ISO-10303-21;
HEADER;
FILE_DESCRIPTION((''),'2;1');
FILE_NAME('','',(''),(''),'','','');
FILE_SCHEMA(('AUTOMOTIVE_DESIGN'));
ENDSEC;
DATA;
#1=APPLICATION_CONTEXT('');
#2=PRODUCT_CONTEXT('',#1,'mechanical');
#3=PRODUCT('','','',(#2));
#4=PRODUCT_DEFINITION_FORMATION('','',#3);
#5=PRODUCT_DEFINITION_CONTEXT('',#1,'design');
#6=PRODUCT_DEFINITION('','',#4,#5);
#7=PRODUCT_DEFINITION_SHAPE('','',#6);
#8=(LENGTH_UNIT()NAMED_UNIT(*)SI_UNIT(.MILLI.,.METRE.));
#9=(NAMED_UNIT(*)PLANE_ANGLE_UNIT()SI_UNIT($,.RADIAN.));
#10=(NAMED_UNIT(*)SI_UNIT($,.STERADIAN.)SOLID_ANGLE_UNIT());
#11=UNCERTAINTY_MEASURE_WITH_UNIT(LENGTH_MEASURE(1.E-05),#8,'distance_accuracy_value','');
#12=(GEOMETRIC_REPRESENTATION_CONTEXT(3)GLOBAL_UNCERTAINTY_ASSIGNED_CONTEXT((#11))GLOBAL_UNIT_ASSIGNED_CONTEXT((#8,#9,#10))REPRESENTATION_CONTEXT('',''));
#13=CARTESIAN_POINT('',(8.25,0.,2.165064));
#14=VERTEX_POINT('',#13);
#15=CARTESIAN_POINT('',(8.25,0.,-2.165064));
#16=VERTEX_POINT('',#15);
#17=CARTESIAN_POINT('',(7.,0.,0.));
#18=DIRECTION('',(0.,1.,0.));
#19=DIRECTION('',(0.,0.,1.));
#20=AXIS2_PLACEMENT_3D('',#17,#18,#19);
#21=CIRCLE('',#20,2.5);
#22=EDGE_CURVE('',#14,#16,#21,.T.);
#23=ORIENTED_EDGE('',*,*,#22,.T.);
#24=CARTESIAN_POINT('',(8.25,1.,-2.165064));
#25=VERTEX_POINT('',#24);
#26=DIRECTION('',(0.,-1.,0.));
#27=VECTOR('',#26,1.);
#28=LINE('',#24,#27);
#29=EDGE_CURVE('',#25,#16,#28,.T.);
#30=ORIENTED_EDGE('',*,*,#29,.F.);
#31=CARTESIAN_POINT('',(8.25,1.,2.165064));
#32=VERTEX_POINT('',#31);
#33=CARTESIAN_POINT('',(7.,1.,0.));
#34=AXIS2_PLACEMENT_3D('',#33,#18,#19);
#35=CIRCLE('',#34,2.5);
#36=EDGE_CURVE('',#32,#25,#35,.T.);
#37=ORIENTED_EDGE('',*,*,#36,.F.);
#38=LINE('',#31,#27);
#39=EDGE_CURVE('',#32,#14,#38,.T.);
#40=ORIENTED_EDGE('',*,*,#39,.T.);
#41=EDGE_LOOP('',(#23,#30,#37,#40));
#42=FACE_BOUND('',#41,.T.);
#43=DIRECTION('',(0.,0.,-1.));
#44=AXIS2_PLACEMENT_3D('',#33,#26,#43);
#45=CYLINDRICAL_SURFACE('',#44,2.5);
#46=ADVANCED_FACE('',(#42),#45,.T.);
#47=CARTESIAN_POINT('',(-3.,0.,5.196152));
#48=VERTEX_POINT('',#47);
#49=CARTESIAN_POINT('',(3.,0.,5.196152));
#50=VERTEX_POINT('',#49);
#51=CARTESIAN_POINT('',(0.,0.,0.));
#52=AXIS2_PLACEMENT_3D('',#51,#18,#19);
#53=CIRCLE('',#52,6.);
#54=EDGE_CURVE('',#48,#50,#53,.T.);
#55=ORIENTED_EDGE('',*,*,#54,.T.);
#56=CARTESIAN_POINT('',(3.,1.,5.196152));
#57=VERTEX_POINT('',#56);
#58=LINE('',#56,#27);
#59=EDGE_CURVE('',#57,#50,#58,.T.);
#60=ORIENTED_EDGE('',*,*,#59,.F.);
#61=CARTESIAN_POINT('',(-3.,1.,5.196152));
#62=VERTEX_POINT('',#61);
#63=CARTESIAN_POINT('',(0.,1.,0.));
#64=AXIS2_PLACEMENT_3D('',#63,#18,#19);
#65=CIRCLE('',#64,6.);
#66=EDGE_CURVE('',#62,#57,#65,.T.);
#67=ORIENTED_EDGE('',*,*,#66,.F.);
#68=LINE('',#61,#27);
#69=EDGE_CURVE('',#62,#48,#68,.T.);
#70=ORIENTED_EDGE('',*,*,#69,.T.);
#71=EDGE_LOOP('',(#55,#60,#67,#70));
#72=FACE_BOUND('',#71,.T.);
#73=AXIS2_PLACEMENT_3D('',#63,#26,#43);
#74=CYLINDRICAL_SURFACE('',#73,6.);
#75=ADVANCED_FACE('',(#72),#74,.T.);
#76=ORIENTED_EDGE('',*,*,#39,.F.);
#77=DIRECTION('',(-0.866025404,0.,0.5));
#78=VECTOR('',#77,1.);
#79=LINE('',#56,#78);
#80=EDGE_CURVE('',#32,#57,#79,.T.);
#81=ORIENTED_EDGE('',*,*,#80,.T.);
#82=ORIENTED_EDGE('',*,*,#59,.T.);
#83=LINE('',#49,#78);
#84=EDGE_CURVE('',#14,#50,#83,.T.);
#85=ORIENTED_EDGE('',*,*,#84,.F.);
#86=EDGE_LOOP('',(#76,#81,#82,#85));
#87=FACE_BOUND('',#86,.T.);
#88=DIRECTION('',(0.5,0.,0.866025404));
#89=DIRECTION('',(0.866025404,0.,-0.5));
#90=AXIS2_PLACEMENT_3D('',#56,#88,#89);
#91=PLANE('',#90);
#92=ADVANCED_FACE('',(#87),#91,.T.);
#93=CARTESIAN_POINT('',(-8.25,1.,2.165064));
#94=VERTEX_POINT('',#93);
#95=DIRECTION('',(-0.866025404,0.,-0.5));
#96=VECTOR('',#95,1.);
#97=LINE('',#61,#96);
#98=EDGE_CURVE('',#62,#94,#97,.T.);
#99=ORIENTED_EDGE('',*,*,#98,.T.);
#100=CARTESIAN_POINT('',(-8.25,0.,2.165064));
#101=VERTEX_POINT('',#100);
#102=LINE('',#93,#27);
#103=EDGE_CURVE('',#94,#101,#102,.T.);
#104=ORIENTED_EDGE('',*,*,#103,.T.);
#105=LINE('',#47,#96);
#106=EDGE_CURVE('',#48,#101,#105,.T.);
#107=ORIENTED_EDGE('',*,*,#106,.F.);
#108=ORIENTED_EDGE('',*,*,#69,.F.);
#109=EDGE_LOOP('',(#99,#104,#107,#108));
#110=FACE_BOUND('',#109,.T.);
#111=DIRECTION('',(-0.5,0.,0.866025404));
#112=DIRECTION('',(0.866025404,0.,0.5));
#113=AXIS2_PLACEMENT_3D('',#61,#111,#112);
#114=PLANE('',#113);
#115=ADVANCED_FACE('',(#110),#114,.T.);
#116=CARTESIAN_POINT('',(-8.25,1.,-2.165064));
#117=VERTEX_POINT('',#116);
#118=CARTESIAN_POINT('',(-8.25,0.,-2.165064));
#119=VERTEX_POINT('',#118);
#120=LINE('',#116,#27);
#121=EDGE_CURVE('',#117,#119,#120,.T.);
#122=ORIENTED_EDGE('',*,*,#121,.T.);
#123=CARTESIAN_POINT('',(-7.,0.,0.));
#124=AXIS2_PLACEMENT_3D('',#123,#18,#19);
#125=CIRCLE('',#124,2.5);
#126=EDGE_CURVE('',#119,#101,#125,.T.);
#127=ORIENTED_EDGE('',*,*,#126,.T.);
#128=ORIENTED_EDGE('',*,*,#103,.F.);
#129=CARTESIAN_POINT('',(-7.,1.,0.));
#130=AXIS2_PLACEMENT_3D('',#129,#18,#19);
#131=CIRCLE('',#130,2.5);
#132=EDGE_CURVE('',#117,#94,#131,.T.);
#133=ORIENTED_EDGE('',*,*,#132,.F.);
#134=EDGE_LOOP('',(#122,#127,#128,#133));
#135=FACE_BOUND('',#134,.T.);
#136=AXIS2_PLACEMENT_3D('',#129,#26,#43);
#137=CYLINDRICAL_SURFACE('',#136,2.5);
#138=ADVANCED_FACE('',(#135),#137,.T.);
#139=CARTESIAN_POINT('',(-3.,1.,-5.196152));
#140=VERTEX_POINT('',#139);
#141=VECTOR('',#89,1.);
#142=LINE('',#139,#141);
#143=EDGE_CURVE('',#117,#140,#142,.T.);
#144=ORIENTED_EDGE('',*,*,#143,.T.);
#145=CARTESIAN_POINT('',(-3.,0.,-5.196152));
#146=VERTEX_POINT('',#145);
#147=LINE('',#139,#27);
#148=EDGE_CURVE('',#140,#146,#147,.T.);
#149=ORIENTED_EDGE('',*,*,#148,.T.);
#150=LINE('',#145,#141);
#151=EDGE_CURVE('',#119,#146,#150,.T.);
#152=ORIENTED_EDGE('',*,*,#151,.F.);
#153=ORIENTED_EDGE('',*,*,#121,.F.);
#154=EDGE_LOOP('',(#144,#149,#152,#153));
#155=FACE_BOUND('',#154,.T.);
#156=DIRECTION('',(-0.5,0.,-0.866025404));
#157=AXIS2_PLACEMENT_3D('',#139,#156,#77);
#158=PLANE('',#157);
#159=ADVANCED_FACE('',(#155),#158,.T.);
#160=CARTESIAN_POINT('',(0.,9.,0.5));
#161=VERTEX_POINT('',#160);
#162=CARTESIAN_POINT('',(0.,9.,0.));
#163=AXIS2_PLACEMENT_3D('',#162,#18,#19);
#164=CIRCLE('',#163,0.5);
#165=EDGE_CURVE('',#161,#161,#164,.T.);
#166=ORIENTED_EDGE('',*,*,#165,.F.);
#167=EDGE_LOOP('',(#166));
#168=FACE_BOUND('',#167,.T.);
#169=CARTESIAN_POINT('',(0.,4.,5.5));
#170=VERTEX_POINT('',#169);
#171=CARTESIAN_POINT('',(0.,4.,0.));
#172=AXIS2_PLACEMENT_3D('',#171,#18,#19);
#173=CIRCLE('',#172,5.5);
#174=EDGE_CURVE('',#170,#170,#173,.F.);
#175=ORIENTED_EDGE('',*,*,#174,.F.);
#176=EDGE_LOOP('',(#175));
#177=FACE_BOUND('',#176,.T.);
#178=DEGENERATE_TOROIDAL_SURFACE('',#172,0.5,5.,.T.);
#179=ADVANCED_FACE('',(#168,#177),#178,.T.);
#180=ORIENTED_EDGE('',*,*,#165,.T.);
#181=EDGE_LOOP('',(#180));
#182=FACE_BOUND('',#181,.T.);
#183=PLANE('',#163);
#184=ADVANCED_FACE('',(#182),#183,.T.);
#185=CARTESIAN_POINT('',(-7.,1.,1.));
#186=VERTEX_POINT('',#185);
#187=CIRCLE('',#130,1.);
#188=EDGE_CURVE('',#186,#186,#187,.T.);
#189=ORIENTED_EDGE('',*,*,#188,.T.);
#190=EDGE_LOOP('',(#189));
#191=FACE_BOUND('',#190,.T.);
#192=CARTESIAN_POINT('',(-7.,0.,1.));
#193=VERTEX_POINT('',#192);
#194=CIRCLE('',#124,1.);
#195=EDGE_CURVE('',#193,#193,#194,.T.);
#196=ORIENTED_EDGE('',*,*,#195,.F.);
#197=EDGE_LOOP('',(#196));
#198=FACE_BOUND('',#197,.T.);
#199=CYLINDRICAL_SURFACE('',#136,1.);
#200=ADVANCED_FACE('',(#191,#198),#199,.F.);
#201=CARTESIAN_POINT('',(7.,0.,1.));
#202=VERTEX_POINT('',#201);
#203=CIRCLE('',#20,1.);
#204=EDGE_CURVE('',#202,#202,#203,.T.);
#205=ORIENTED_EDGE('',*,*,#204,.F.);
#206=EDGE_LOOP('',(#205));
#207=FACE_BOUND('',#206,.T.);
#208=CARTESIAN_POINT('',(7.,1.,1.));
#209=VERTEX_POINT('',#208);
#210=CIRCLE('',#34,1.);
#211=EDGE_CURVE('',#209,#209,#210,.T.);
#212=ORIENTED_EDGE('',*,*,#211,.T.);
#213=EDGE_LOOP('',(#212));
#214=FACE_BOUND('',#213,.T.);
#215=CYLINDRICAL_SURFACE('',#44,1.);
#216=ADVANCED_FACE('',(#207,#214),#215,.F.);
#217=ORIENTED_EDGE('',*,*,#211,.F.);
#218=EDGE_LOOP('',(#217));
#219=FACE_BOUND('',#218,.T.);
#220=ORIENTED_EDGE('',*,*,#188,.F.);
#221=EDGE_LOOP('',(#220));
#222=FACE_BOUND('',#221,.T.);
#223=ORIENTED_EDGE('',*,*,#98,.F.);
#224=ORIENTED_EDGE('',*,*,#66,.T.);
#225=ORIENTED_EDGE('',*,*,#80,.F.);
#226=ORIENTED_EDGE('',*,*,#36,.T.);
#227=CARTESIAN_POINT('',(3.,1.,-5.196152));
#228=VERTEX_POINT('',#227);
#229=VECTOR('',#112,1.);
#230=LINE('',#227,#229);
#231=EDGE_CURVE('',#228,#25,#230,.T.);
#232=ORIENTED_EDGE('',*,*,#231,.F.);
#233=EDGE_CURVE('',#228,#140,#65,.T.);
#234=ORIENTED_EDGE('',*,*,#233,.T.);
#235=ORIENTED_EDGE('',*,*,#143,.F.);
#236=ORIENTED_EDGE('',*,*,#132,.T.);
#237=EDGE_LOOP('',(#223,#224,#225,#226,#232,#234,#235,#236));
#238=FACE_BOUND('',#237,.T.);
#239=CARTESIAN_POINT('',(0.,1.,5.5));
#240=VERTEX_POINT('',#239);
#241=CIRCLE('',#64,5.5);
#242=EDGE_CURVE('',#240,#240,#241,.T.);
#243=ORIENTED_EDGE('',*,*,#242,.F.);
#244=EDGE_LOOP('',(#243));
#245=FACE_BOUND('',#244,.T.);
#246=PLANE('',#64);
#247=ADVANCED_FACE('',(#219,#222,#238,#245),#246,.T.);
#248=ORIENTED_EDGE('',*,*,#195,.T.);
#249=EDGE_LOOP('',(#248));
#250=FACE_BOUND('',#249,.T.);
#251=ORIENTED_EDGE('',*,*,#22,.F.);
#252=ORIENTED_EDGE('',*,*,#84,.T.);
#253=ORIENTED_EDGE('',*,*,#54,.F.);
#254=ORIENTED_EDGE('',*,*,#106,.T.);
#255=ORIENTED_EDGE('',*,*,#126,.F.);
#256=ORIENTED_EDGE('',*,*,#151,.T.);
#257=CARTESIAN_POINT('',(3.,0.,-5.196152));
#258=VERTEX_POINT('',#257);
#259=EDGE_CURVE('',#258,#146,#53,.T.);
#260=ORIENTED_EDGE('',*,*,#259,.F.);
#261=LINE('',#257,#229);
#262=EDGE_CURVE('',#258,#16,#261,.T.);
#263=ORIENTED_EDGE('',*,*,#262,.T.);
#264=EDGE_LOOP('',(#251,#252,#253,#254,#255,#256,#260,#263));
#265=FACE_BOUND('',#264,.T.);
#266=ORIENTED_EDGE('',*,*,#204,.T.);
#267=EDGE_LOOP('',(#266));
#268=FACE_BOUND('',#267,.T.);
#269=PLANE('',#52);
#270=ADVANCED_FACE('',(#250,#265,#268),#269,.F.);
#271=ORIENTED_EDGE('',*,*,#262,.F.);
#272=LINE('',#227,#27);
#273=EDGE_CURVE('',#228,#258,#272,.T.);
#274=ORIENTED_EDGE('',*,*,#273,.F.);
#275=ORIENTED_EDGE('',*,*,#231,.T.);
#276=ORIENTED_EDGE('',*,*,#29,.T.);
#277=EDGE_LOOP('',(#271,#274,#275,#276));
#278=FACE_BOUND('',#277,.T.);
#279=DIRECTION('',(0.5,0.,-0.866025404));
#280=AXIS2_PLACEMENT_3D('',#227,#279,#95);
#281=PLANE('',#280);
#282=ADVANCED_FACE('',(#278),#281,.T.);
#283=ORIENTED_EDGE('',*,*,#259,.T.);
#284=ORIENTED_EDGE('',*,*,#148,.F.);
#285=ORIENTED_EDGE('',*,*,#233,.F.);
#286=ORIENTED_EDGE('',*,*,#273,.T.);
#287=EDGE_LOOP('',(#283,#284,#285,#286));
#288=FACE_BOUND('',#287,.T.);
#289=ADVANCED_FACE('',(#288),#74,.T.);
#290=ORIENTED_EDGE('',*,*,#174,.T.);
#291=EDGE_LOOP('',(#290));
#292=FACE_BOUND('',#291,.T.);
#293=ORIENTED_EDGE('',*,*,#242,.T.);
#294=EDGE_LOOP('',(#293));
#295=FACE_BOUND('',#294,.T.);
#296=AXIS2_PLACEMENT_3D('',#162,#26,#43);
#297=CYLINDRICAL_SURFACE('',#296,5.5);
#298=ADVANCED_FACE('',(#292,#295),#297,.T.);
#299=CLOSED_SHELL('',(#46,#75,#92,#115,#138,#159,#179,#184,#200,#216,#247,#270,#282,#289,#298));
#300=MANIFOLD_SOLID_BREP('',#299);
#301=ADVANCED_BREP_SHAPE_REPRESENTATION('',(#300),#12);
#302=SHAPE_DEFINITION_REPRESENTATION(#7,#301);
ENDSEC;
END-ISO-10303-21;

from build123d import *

# Parameters (mm, degrees)
BOSS_EXTRUDE1_DEPTH = 1
SKETCH2_R           = 5.5
BOSS_EXTRUDE2_DEPTH = 8
FILLET1_R           = 5


with BuildPart() as part:
    # Sketch1 → Boss-Extrude1 (new body)
    with BuildSketch(Plane(origin=(0, 0, 0), x_dir=(1, 0, 0), z_dir=(0, 1, 0))):
        with BuildLine():
            ThreePointArc((-8, 0), (-7, 1), (-6, 0))
            ThreePointArc((-6, 0), (-5.905505906, 1.060660172), (-5.625, 2.087911636))
            ThreePointArc((-5.625, 2.087911636), (-6.926553741, 2.498920897), (-8.25, 2.165063509))
            ThreePointArc((-8.25, 2.165063509), (-9.165063509, 1.25), (-9.5, 0))
            Line((-9.5, 0), (-8, 0))
        make_face()
        with BuildLine():
            ThreePointArc((-5.625, -2.087911636), (-5.905505906, -1.060660172), (-6, 0))
            ThreePointArc((-6, 0), (-7, -1), (-8, 0))
            Line((-8, 0), (-9.5, 0))
            ThreePointArc((-9.5, 0), (-9.165063509, -1.25), (-8.25, -2.165063509))
            ThreePointArc((-8.25, -2.165063509), (-6.926553741, -2.498920897), (-5.625, -2.087911636))
        make_face()
        with BuildLine():
            ThreePointArc((-5.625, 2.087911636), (-5.905505906, 1.060660172), (-6, 0))
            Line((-6, 0), (-4.5, 0))
            ThreePointArc((-4.5, 0), (-4.799147892, 1.185854123), (-5.625, 2.087911636))
        make_face()
        with BuildLine():
            Line((-4.5, 0), (-6, 0))
            ThreePointArc((-6, 0), (-5.905505906, -1.060660172), (-5.625, -2.087911636))
            ThreePointArc((-5.625, -2.087911636), (-4.799147892, -1.185854123), (-4.5, 0))
        make_face()
        with BuildLine():
            ThreePointArc((-8.25, 2.165063509), (-6.926553741, 2.498920897), (-5.625, 2.087911636))
            ThreePointArc((-5.625, 2.087911636), (-4.58398805, 3.871311606), (-3, 5.196152423))
            Line((-3, 5.196152423), (-8.25, 2.165063509))
        make_face()
        with BuildLine():
            ThreePointArc((-3, -5.196152423), (-4.58398805, -3.871311606), (-5.625, -2.087911636))
            ThreePointArc((-5.625, -2.087911636), (-6.926553741, -2.498920897), (-8.25, -2.165063509))
            Line((-8.25, -2.165063509), (-3, -5.196152423))
        make_face()
        with BuildLine():
            Line((4.5, 0), (-4.5, 0))
            ThreePointArc((-4.5, 0), (-4.799147892, -1.185854123), (-5.625, -2.087911636))
            ThreePointArc((-5.625, -2.087911636), (-4.58398805, -3.871311606), (-3, -5.196152423))
            Line((-3, -5.196152423), (3, -5.196152423))
            ThreePointArc((3, -5.196152423), (4.58398805, -3.871311606), (5.625, -2.087911636))
            ThreePointArc((5.625, -2.087911636), (4.799147892, -1.185854123), (4.5, 0))
        make_face()
        with BuildLine():
            ThreePointArc((-5.625, 2.087911636), (-4.799147892, 1.185854123), (-4.5, 0))
            Line((-4.5, 0), (4.5, 0))
            ThreePointArc((4.5, 0), (4.799147892, 1.185854123), (5.625, 2.087911636))
            ThreePointArc((5.625, 2.087911636), (4.58398805, 3.871311606), (3, 5.196152423))
            ThreePointArc((3, 5.196152423), (0, 6), (-3, 5.196152423))
            ThreePointArc((-3, 5.196152423), (-4.58398805, 3.871311606), (-5.625, 2.087911636))
        make_face()
        with BuildLine():
            Line((3, -5.196152423), (-3, -5.196152423))
            ThreePointArc((-3, -5.196152423), (0, -6), (3, -5.196152423))
        make_face()
        with BuildLine():
            ThreePointArc((3, 5.196152423), (4.58398805, 3.871311606), (5.625, 2.087911636))
            ThreePointArc((5.625, 2.087911636), (6.926553741, 2.498920897), (8.25, 2.165063509))
            Line((8.25, 2.165063509), (3, 5.196152423))
        make_face()
        with BuildLine():
            ThreePointArc((8.25, -2.165063509), (6.926553741, -2.498920897), (5.625, -2.087911636))
            ThreePointArc((5.625, -2.087911636), (4.58398805, -3.871311606), (3, -5.196152423))
            Line((3, -5.196152423), (8.25, -2.165063509))
        make_face()
        with BuildLine():
            ThreePointArc((5.625, 2.087911636), (4.799147892, 1.185854123), (4.5, 0))
            Line((4.5, 0), (6, 0))
            ThreePointArc((6, 0), (5.905505906, 1.060660172), (5.625, 2.087911636))
        make_face()
        with BuildLine():
            Line((6, 0), (4.5, 0))
            ThreePointArc((4.5, 0), (4.799147892, -1.185854123), (5.625, -2.087911636))
            ThreePointArc((5.625, -2.087911636), (5.905505906, -1.060660172), (6, 0))
        make_face()
        with BuildLine():
            ThreePointArc((8, 0), (7, -1), (6, 0))
            ThreePointArc((6, 0), (5.905505906, -1.060660172), (5.625, -2.087911636))
            ThreePointArc((5.625, -2.087911636), (6.926553741, -2.498920897), (8.25, -2.165063509))
            Line((8.25, -2.165063509), (8.25, 0))
            Line((8.25, 0), (8, 0))
        make_face()
        with BuildLine():
            ThreePointArc((5.625, 2.087911636), (5.905505906, 1.060660172), (6, 0))
            ThreePointArc((6, 0), (7, 1), (8, 0))
            Line((8, 0), (8.25, 0))
            Line((8.25, 0), (8.25, 2.165063509))
            ThreePointArc((8.25, 2.165063509), (6.926553741, 2.498920897), (5.625, 2.087911636))
        make_face()
        with BuildLine():
            ThreePointArc((9.5, 0), (9.165063509, 1.25), (8.25, 2.165063509))
            Line((8.25, 2.165063509), (8.25, 0))
            Line((8.25, 0), (9.5, 0))
        make_face()
        with BuildLine():
            Line((8.25, 0), (8.25, -2.165063509))
            ThreePointArc((8.25, -2.165063509), (9.165063509, -1.25), (9.5, 0))
            Line((9.5, 0), (8.25, 0))
        make_face()
    extrude(amount=BOSS_EXTRUDE1_DEPTH)

    # Sketch2 → Boss-Extrude2 (add)
    with BuildSketch(Plane(origin=(0, 1, 0), x_dir=(1, 0, 0), z_dir=(0, 1, 0))):
        with Locations(Location((0, 0, 0), (0, 0, 270))):
            Circle(SKETCH2_R)
    extrude(amount=BOSS_EXTRUDE2_DEPTH)

    # Fillet1
    fillet1_edges = [part.edges().sort_by_distance(p)[0] for p in [
        (0, 9, -5.5),
    ]]
    fillet(fillet1_edges, radius=FILLET1_R)


solid = part.part
